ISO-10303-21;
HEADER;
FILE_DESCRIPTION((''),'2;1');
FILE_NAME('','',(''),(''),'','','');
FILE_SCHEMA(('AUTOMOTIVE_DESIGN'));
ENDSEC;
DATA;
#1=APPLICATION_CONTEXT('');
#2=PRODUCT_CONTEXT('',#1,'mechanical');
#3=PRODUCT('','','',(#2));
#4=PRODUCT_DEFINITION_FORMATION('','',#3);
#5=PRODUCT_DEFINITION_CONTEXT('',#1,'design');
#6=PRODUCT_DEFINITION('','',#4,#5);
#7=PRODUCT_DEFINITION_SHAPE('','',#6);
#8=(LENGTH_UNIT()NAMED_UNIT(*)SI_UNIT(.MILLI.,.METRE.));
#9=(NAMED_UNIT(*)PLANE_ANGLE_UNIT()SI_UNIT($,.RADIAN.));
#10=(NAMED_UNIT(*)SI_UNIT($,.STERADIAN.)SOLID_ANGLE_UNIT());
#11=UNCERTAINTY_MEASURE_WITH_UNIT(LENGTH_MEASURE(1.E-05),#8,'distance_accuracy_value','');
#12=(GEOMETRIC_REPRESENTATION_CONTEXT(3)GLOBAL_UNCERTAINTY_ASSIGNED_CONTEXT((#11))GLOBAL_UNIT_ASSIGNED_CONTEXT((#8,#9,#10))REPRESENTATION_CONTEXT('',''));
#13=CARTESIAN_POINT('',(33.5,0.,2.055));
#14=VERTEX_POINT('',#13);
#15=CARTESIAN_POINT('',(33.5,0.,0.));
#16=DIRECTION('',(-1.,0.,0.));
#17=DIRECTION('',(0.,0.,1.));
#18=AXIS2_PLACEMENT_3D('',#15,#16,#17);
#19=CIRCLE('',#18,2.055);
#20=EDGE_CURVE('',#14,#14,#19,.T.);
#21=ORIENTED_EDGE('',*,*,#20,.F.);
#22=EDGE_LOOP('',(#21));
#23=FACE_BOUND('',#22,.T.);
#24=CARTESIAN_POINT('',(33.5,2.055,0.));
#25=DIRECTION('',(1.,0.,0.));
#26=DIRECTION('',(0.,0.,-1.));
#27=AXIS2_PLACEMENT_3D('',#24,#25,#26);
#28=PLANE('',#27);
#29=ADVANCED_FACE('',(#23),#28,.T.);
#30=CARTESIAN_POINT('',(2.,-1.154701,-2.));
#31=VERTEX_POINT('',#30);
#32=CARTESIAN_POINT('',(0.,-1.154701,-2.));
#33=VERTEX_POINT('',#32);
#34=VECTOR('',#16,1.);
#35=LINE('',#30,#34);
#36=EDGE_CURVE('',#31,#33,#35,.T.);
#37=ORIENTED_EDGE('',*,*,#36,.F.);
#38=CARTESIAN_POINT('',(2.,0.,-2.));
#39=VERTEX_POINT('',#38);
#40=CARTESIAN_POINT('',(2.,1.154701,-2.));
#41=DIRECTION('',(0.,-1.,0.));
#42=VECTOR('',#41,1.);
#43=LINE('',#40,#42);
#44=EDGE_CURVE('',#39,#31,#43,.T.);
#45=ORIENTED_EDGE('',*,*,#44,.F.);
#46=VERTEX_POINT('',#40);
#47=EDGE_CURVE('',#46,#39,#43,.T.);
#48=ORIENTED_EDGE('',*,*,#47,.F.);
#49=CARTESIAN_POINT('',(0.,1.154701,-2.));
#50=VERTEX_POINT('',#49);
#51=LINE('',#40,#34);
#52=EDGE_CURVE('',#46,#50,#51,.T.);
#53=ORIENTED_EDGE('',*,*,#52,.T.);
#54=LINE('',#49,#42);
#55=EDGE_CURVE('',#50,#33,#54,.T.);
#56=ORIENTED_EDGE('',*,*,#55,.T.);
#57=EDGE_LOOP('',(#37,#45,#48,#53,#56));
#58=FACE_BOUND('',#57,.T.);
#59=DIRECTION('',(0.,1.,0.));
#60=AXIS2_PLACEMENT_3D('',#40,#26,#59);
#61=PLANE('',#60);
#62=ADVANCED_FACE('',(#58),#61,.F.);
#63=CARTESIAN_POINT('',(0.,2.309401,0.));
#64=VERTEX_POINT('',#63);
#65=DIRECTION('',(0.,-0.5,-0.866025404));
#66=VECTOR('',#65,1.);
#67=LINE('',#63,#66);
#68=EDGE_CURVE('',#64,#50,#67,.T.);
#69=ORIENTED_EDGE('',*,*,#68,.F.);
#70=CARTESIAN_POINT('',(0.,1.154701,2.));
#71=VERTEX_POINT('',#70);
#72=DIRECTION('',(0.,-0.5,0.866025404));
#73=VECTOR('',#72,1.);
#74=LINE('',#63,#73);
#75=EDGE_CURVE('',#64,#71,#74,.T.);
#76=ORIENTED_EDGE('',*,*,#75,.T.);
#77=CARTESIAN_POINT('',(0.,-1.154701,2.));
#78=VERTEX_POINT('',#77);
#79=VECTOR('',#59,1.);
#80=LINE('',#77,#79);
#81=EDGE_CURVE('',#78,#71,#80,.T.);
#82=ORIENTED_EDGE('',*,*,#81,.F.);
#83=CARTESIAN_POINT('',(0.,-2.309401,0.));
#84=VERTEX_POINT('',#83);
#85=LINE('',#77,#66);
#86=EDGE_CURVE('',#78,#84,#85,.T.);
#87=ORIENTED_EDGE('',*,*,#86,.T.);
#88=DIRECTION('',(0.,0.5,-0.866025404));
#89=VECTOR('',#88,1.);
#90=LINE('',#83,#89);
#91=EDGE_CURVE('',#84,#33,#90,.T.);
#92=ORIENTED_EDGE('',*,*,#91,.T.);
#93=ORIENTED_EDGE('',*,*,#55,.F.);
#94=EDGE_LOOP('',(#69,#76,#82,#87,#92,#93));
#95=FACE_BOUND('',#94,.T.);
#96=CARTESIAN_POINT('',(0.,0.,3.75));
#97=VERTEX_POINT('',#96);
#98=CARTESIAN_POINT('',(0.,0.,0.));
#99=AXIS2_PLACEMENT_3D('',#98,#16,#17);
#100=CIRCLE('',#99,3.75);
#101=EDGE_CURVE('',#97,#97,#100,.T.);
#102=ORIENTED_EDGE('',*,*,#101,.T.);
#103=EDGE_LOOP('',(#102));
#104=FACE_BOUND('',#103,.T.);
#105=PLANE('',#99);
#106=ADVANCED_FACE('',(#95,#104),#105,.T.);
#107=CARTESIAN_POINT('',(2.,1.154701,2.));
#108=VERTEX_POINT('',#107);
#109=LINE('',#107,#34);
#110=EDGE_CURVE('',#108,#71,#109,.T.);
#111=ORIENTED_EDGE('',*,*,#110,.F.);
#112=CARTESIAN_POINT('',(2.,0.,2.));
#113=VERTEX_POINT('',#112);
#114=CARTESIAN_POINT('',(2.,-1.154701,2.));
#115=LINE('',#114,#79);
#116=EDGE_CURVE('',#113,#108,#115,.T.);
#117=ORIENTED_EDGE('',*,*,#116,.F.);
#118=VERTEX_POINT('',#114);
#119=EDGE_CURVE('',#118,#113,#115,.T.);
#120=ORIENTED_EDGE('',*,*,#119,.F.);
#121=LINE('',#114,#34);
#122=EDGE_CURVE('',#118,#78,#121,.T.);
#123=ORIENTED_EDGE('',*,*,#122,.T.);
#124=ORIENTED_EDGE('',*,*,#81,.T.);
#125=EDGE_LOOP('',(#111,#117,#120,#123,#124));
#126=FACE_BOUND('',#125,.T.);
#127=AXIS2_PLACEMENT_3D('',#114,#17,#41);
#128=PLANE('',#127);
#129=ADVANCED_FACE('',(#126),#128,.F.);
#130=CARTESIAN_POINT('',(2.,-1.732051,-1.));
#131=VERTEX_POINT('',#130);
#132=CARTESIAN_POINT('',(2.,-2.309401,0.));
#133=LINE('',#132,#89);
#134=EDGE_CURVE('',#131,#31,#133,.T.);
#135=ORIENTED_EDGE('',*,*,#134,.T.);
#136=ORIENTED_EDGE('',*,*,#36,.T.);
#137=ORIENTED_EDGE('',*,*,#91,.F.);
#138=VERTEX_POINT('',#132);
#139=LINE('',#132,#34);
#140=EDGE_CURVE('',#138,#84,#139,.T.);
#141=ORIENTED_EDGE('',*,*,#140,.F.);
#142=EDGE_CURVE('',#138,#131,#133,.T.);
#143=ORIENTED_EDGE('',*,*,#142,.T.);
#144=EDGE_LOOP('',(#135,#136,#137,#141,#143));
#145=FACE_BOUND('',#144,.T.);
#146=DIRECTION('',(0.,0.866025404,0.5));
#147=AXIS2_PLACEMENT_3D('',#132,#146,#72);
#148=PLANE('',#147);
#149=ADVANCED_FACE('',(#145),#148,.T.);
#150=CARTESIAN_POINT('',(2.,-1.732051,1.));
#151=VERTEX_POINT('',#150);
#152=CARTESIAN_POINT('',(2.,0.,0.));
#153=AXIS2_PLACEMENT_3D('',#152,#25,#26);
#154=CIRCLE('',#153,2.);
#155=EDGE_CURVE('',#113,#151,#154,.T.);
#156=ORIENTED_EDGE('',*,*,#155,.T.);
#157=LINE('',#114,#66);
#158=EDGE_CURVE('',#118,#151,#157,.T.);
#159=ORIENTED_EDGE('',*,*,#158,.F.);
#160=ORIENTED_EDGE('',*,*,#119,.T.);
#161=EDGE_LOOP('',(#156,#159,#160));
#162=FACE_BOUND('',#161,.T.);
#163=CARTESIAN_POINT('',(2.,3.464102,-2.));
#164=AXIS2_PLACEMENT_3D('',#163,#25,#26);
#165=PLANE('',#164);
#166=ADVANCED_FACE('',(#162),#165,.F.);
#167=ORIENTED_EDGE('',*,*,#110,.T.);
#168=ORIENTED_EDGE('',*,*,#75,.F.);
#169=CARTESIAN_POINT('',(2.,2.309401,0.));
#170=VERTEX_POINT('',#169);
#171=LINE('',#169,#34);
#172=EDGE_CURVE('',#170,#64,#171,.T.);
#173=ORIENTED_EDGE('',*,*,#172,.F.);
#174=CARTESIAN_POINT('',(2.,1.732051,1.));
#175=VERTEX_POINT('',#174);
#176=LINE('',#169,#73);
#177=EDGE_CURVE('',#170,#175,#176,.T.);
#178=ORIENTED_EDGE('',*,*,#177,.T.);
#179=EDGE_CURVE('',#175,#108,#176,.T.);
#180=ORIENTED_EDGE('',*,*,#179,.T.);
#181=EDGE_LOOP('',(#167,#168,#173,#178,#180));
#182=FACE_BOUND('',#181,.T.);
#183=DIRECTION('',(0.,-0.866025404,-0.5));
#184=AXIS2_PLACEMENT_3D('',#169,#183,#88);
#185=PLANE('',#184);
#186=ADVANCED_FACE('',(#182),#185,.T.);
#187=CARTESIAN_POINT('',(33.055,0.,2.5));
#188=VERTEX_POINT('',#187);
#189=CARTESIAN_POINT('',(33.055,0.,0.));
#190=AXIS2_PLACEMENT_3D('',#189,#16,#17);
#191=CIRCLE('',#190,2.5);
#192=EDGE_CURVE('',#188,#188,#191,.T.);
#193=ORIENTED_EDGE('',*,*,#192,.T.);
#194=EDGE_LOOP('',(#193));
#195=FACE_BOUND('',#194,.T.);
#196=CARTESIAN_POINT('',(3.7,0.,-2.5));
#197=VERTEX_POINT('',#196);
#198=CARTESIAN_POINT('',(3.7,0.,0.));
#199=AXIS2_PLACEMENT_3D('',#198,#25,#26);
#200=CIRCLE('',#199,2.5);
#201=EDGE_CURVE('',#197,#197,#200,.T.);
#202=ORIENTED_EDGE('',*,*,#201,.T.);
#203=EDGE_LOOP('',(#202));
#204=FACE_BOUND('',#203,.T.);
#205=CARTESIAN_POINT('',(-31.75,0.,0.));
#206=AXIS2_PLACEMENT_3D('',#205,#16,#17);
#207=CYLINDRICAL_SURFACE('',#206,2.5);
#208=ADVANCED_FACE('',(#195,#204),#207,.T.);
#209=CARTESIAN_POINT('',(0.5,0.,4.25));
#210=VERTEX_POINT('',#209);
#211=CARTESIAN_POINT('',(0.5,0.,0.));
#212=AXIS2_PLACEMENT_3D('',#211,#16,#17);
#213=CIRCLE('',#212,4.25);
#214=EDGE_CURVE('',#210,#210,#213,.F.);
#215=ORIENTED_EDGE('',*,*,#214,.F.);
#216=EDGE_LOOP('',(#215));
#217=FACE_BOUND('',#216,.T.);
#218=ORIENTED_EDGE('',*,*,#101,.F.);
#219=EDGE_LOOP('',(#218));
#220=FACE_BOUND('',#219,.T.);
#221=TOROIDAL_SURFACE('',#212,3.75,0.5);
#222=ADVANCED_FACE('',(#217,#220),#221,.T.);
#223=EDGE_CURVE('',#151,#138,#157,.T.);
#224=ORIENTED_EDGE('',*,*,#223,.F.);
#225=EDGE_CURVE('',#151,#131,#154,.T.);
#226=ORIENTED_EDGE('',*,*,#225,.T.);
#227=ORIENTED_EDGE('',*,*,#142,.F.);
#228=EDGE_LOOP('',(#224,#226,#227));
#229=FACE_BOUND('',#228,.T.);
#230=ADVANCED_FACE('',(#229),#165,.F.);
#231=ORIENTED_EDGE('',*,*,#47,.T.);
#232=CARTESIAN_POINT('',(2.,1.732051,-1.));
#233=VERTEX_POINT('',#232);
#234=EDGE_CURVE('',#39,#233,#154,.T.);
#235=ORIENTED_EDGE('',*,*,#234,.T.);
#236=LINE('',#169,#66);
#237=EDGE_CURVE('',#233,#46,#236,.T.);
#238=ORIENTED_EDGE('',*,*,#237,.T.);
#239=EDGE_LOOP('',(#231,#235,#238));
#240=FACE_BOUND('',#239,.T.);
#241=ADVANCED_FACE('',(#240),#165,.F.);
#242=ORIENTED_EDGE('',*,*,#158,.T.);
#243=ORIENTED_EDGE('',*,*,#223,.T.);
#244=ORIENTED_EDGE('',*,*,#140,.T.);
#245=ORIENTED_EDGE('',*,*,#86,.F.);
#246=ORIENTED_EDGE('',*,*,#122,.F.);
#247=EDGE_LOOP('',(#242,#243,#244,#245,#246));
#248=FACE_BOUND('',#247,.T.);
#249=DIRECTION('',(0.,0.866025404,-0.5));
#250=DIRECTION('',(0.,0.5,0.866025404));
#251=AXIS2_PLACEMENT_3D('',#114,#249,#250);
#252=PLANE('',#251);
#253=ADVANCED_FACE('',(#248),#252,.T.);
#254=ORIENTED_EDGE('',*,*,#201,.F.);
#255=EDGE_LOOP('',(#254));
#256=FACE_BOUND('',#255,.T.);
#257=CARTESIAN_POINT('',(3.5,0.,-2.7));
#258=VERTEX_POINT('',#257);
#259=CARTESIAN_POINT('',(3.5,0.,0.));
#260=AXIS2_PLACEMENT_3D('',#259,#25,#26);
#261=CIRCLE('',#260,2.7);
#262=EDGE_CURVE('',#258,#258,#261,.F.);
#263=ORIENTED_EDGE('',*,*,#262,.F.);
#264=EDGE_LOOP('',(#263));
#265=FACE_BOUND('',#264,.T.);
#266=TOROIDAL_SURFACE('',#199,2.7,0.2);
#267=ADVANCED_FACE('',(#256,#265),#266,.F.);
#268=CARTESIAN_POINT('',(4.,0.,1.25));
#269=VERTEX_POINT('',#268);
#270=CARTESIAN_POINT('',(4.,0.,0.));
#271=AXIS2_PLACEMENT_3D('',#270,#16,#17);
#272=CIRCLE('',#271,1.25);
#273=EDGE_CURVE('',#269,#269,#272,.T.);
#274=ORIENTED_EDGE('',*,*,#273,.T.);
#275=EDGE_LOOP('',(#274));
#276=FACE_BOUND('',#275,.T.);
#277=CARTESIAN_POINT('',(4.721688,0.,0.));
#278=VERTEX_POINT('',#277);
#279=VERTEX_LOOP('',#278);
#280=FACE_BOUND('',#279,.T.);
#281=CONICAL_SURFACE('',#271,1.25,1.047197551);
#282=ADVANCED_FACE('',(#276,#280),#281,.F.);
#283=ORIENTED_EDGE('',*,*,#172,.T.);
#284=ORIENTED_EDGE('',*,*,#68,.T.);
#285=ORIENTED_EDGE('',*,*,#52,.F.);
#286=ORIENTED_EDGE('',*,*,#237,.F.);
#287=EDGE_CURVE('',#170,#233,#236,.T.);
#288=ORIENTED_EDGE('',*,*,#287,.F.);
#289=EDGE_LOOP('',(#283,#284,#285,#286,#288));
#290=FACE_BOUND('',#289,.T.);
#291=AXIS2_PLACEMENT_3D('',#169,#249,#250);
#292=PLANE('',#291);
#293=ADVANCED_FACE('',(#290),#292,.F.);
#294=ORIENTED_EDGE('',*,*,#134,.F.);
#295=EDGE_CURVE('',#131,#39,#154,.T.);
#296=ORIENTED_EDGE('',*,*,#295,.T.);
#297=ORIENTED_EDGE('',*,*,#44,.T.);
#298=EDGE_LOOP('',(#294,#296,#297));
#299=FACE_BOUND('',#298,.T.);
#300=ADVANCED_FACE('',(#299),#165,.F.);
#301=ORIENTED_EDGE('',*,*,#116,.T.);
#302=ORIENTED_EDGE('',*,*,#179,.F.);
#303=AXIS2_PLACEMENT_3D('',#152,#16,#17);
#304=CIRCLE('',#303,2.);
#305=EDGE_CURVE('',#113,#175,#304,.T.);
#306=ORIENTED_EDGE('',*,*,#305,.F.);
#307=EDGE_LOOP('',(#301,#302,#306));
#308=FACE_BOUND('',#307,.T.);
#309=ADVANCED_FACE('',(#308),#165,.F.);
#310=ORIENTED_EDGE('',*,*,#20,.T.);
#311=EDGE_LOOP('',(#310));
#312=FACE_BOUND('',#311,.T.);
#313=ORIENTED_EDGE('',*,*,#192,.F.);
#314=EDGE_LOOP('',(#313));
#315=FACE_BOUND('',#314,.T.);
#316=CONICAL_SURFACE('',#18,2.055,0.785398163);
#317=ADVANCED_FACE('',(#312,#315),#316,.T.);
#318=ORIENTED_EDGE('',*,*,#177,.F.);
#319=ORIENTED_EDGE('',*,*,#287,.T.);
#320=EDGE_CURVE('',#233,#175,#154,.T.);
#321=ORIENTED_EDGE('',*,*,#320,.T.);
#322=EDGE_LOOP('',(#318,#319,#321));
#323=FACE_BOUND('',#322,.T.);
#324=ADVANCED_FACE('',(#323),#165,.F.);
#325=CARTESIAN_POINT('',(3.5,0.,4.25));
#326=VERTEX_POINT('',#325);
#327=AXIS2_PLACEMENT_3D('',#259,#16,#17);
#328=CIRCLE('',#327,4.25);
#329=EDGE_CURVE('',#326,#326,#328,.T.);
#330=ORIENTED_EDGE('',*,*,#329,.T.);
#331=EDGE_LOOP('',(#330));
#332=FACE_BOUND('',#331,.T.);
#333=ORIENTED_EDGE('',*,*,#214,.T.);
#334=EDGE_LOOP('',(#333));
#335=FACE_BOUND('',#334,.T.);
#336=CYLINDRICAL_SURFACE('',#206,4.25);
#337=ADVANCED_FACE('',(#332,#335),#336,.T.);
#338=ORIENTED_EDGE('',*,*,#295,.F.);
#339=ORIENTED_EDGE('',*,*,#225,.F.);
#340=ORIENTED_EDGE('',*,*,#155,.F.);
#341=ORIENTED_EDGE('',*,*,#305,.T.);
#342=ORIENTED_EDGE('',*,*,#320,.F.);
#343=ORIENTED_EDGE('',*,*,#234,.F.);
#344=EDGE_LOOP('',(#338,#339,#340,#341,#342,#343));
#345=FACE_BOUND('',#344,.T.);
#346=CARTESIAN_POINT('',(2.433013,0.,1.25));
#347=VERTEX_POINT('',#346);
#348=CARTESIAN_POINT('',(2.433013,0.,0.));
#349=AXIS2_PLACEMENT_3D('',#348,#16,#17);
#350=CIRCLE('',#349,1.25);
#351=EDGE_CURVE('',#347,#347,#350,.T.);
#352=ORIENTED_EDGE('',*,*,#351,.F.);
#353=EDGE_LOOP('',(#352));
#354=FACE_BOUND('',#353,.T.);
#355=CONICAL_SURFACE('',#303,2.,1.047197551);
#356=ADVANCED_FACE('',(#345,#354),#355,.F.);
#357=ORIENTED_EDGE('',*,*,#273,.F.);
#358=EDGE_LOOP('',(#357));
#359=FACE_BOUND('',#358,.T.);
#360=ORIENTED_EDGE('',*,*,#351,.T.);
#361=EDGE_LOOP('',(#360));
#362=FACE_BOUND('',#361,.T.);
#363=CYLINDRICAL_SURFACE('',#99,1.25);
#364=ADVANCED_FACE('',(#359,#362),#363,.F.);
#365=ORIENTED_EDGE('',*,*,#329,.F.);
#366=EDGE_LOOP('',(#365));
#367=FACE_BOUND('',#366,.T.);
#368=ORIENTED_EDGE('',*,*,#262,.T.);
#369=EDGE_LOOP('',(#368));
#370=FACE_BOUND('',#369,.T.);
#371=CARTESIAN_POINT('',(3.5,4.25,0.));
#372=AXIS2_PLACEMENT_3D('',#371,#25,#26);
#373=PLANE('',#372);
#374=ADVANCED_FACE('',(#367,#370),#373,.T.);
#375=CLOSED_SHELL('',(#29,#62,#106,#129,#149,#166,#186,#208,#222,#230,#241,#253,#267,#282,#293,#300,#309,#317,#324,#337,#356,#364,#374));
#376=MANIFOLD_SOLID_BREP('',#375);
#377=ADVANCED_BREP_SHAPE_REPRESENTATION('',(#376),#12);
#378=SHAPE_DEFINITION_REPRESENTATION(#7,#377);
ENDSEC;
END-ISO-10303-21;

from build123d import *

# Parameters (mm, degrees)
FILLET1_R   = 0.2
FILLET2_R   = 0.5
HEX_2_DEPTH = 2


with BuildPart() as part:
    # BodySke → Base-Revolve (revolve)
    with BuildSketch(Plane.XY, mode=Mode.PRIVATE) as base_revolve_sk:
        Polygon((0, 0), (0, 4.25), (3.5, 4.25), (3.5, 2.5), (33.055, 2.5), (33.5, 2.055), (33.5, 0), align=None)
    revolve(base_revolve_sk.sketch.rotate(Axis((-31.75, 0, 0), (1, 0, 0)), 90), axis=Axis((-31.75, 0, 0), (1, 0, 0)))

    # Fillet1
    fillet1_edges = [part.edges().sort_by_distance(p)[0] for p in [
        (3.5, 0, -2.5),
    ]]
    fillet(fillet1_edges, radius=FILLET1_R)

    # Fillet2
    fillet2_edges = [part.edges().sort_by_distance(p)[0] for p in [
        (0, 0, -4.25),
    ]]
    fillet(fillet2_edges, radius=FILLET2_R)

    # HexSke → Hex 2 (cut)
    with BuildSketch(Plane(origin=(0, 0, 0), x_dir=(0, 0.500000000000001, 0.866025403784438), z_dir=(-1, 0, 0))):
        Polygon((1.154700538, 2), (-1.154700538, 2), (-2.309401077, 0), (-1.154700538, -2), (1.154700538, -2), (2.309401077, 0), align=None)
    extrude(amount=-HEX_2_DEPTH, mode=Mode.SUBTRACT)

    # PilotSke → Hex-PreBroach (revolve, cut)
    with BuildSketch(Plane.XY, mode=Mode.PRIVATE) as hex_prebroach_sk:
        Polygon((0, 2), (2, 2), (2.433012702, 1.25), (4, 1.25), (4.721687836, 0), (0, 0), align=None)
    revolve(hex_prebroach_sk.sketch.rotate(Axis((0, 0, 0), (1, 0, 0)), 90), axis=Axis((0, 0, 0), (1, 0, 0)), mode=Mode.SUBTRACT)


solid = part.part
